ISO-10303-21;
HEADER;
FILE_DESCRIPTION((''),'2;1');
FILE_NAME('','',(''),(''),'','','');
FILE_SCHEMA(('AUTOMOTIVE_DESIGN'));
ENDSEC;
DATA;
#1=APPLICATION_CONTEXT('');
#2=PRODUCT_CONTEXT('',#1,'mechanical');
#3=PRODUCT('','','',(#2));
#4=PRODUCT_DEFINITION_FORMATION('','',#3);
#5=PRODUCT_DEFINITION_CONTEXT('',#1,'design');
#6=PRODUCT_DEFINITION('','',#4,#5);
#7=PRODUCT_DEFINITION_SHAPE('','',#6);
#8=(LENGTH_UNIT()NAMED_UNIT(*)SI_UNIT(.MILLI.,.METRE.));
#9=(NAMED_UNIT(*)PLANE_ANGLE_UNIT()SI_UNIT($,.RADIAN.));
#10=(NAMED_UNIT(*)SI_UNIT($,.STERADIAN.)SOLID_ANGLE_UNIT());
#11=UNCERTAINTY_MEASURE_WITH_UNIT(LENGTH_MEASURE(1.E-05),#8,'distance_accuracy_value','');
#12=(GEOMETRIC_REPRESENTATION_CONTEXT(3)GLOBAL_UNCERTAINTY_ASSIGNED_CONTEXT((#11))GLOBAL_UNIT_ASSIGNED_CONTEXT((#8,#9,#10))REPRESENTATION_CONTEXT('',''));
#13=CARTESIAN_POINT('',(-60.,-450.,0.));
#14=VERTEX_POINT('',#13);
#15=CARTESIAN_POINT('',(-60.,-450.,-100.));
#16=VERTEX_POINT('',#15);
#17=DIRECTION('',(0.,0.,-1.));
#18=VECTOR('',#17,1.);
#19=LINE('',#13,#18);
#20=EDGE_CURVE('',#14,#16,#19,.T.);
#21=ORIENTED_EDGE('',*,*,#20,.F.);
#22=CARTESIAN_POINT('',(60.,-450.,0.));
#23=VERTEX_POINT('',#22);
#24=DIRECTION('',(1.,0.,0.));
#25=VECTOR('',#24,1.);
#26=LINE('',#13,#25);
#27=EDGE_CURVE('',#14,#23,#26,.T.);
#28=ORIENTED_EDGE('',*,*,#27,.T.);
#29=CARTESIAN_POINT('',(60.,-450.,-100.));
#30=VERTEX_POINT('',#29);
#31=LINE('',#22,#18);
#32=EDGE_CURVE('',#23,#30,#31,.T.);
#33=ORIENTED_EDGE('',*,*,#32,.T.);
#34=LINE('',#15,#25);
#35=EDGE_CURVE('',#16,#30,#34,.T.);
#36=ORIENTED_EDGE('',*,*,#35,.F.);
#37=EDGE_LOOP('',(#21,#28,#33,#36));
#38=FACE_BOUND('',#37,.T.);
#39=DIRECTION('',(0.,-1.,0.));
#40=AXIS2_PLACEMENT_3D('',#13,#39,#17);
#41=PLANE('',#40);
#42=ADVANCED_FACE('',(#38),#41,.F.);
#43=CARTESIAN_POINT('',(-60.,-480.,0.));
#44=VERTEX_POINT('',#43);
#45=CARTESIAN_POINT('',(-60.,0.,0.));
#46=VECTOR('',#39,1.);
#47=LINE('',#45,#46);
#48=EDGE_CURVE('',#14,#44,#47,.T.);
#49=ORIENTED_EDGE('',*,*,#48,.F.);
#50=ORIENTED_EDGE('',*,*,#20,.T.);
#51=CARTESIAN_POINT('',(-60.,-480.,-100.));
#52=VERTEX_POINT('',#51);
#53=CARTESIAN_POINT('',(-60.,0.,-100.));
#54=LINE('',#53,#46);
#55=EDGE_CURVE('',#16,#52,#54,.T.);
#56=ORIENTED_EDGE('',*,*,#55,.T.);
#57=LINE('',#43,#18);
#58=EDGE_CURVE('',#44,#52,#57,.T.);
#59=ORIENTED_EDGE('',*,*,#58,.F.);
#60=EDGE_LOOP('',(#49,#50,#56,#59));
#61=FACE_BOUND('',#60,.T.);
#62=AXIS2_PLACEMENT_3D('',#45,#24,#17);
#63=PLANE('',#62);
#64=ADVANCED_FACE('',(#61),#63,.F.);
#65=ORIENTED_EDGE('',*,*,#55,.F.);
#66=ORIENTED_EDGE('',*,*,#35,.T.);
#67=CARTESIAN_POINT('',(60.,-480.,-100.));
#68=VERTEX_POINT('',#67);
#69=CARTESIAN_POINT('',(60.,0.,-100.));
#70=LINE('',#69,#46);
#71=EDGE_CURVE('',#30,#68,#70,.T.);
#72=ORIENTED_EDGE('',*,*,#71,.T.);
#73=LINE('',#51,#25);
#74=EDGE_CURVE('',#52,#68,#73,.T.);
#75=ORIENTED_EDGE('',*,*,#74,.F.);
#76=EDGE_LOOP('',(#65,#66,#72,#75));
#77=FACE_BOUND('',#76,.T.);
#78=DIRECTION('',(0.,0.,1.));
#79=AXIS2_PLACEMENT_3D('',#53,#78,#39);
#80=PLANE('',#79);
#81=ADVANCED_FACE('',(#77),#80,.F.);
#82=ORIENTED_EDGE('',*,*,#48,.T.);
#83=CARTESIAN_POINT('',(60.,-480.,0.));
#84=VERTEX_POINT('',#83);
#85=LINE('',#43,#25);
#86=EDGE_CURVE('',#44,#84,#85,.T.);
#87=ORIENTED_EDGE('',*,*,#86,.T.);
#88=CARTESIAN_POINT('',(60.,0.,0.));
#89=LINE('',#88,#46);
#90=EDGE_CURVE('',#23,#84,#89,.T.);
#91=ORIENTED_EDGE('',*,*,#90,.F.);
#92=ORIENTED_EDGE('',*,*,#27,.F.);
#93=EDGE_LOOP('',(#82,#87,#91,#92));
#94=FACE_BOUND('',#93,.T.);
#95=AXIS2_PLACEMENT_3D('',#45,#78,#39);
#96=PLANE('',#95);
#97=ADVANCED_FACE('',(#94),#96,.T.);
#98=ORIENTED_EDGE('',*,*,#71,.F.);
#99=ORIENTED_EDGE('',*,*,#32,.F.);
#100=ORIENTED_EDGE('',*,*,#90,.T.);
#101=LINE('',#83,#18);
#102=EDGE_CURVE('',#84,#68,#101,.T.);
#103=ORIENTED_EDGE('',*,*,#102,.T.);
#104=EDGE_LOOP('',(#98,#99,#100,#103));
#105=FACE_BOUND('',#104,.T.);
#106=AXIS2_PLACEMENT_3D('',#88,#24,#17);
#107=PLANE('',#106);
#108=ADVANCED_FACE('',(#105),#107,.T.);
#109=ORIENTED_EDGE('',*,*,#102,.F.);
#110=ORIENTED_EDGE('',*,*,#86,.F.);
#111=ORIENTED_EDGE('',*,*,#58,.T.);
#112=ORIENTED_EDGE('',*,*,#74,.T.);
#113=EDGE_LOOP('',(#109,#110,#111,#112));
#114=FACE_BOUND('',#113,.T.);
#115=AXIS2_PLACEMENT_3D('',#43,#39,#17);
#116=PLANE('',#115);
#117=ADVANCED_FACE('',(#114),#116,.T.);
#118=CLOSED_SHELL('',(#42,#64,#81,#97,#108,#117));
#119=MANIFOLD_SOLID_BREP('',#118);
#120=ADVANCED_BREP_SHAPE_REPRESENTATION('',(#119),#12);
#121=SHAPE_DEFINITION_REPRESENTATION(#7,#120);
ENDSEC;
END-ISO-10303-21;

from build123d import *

# Parameters (mm, degrees)
BOSS_EXTRUDE2_DEPTH      = 60
BOSS_EXTRUDE2_DEPTH_BACK = 60
SKETCH1_W                = 30
SKETCH1_H                = 100


with BuildPart() as part:
    # Sketch1 → Boss-Extrude2 (new, two sides: drawn at the far end of the back side and taken through both)
    with BuildSketch(Plane.YZ.offset(-BOSS_EXTRUDE2_DEPTH_BACK)):
        with Locations((-465, -50)):
            Rectangle(SKETCH1_W, SKETCH1_H)
    extrude(amount=BOSS_EXTRUDE2_DEPTH + BOSS_EXTRUDE2_DEPTH_BACK)


solid = part.part
